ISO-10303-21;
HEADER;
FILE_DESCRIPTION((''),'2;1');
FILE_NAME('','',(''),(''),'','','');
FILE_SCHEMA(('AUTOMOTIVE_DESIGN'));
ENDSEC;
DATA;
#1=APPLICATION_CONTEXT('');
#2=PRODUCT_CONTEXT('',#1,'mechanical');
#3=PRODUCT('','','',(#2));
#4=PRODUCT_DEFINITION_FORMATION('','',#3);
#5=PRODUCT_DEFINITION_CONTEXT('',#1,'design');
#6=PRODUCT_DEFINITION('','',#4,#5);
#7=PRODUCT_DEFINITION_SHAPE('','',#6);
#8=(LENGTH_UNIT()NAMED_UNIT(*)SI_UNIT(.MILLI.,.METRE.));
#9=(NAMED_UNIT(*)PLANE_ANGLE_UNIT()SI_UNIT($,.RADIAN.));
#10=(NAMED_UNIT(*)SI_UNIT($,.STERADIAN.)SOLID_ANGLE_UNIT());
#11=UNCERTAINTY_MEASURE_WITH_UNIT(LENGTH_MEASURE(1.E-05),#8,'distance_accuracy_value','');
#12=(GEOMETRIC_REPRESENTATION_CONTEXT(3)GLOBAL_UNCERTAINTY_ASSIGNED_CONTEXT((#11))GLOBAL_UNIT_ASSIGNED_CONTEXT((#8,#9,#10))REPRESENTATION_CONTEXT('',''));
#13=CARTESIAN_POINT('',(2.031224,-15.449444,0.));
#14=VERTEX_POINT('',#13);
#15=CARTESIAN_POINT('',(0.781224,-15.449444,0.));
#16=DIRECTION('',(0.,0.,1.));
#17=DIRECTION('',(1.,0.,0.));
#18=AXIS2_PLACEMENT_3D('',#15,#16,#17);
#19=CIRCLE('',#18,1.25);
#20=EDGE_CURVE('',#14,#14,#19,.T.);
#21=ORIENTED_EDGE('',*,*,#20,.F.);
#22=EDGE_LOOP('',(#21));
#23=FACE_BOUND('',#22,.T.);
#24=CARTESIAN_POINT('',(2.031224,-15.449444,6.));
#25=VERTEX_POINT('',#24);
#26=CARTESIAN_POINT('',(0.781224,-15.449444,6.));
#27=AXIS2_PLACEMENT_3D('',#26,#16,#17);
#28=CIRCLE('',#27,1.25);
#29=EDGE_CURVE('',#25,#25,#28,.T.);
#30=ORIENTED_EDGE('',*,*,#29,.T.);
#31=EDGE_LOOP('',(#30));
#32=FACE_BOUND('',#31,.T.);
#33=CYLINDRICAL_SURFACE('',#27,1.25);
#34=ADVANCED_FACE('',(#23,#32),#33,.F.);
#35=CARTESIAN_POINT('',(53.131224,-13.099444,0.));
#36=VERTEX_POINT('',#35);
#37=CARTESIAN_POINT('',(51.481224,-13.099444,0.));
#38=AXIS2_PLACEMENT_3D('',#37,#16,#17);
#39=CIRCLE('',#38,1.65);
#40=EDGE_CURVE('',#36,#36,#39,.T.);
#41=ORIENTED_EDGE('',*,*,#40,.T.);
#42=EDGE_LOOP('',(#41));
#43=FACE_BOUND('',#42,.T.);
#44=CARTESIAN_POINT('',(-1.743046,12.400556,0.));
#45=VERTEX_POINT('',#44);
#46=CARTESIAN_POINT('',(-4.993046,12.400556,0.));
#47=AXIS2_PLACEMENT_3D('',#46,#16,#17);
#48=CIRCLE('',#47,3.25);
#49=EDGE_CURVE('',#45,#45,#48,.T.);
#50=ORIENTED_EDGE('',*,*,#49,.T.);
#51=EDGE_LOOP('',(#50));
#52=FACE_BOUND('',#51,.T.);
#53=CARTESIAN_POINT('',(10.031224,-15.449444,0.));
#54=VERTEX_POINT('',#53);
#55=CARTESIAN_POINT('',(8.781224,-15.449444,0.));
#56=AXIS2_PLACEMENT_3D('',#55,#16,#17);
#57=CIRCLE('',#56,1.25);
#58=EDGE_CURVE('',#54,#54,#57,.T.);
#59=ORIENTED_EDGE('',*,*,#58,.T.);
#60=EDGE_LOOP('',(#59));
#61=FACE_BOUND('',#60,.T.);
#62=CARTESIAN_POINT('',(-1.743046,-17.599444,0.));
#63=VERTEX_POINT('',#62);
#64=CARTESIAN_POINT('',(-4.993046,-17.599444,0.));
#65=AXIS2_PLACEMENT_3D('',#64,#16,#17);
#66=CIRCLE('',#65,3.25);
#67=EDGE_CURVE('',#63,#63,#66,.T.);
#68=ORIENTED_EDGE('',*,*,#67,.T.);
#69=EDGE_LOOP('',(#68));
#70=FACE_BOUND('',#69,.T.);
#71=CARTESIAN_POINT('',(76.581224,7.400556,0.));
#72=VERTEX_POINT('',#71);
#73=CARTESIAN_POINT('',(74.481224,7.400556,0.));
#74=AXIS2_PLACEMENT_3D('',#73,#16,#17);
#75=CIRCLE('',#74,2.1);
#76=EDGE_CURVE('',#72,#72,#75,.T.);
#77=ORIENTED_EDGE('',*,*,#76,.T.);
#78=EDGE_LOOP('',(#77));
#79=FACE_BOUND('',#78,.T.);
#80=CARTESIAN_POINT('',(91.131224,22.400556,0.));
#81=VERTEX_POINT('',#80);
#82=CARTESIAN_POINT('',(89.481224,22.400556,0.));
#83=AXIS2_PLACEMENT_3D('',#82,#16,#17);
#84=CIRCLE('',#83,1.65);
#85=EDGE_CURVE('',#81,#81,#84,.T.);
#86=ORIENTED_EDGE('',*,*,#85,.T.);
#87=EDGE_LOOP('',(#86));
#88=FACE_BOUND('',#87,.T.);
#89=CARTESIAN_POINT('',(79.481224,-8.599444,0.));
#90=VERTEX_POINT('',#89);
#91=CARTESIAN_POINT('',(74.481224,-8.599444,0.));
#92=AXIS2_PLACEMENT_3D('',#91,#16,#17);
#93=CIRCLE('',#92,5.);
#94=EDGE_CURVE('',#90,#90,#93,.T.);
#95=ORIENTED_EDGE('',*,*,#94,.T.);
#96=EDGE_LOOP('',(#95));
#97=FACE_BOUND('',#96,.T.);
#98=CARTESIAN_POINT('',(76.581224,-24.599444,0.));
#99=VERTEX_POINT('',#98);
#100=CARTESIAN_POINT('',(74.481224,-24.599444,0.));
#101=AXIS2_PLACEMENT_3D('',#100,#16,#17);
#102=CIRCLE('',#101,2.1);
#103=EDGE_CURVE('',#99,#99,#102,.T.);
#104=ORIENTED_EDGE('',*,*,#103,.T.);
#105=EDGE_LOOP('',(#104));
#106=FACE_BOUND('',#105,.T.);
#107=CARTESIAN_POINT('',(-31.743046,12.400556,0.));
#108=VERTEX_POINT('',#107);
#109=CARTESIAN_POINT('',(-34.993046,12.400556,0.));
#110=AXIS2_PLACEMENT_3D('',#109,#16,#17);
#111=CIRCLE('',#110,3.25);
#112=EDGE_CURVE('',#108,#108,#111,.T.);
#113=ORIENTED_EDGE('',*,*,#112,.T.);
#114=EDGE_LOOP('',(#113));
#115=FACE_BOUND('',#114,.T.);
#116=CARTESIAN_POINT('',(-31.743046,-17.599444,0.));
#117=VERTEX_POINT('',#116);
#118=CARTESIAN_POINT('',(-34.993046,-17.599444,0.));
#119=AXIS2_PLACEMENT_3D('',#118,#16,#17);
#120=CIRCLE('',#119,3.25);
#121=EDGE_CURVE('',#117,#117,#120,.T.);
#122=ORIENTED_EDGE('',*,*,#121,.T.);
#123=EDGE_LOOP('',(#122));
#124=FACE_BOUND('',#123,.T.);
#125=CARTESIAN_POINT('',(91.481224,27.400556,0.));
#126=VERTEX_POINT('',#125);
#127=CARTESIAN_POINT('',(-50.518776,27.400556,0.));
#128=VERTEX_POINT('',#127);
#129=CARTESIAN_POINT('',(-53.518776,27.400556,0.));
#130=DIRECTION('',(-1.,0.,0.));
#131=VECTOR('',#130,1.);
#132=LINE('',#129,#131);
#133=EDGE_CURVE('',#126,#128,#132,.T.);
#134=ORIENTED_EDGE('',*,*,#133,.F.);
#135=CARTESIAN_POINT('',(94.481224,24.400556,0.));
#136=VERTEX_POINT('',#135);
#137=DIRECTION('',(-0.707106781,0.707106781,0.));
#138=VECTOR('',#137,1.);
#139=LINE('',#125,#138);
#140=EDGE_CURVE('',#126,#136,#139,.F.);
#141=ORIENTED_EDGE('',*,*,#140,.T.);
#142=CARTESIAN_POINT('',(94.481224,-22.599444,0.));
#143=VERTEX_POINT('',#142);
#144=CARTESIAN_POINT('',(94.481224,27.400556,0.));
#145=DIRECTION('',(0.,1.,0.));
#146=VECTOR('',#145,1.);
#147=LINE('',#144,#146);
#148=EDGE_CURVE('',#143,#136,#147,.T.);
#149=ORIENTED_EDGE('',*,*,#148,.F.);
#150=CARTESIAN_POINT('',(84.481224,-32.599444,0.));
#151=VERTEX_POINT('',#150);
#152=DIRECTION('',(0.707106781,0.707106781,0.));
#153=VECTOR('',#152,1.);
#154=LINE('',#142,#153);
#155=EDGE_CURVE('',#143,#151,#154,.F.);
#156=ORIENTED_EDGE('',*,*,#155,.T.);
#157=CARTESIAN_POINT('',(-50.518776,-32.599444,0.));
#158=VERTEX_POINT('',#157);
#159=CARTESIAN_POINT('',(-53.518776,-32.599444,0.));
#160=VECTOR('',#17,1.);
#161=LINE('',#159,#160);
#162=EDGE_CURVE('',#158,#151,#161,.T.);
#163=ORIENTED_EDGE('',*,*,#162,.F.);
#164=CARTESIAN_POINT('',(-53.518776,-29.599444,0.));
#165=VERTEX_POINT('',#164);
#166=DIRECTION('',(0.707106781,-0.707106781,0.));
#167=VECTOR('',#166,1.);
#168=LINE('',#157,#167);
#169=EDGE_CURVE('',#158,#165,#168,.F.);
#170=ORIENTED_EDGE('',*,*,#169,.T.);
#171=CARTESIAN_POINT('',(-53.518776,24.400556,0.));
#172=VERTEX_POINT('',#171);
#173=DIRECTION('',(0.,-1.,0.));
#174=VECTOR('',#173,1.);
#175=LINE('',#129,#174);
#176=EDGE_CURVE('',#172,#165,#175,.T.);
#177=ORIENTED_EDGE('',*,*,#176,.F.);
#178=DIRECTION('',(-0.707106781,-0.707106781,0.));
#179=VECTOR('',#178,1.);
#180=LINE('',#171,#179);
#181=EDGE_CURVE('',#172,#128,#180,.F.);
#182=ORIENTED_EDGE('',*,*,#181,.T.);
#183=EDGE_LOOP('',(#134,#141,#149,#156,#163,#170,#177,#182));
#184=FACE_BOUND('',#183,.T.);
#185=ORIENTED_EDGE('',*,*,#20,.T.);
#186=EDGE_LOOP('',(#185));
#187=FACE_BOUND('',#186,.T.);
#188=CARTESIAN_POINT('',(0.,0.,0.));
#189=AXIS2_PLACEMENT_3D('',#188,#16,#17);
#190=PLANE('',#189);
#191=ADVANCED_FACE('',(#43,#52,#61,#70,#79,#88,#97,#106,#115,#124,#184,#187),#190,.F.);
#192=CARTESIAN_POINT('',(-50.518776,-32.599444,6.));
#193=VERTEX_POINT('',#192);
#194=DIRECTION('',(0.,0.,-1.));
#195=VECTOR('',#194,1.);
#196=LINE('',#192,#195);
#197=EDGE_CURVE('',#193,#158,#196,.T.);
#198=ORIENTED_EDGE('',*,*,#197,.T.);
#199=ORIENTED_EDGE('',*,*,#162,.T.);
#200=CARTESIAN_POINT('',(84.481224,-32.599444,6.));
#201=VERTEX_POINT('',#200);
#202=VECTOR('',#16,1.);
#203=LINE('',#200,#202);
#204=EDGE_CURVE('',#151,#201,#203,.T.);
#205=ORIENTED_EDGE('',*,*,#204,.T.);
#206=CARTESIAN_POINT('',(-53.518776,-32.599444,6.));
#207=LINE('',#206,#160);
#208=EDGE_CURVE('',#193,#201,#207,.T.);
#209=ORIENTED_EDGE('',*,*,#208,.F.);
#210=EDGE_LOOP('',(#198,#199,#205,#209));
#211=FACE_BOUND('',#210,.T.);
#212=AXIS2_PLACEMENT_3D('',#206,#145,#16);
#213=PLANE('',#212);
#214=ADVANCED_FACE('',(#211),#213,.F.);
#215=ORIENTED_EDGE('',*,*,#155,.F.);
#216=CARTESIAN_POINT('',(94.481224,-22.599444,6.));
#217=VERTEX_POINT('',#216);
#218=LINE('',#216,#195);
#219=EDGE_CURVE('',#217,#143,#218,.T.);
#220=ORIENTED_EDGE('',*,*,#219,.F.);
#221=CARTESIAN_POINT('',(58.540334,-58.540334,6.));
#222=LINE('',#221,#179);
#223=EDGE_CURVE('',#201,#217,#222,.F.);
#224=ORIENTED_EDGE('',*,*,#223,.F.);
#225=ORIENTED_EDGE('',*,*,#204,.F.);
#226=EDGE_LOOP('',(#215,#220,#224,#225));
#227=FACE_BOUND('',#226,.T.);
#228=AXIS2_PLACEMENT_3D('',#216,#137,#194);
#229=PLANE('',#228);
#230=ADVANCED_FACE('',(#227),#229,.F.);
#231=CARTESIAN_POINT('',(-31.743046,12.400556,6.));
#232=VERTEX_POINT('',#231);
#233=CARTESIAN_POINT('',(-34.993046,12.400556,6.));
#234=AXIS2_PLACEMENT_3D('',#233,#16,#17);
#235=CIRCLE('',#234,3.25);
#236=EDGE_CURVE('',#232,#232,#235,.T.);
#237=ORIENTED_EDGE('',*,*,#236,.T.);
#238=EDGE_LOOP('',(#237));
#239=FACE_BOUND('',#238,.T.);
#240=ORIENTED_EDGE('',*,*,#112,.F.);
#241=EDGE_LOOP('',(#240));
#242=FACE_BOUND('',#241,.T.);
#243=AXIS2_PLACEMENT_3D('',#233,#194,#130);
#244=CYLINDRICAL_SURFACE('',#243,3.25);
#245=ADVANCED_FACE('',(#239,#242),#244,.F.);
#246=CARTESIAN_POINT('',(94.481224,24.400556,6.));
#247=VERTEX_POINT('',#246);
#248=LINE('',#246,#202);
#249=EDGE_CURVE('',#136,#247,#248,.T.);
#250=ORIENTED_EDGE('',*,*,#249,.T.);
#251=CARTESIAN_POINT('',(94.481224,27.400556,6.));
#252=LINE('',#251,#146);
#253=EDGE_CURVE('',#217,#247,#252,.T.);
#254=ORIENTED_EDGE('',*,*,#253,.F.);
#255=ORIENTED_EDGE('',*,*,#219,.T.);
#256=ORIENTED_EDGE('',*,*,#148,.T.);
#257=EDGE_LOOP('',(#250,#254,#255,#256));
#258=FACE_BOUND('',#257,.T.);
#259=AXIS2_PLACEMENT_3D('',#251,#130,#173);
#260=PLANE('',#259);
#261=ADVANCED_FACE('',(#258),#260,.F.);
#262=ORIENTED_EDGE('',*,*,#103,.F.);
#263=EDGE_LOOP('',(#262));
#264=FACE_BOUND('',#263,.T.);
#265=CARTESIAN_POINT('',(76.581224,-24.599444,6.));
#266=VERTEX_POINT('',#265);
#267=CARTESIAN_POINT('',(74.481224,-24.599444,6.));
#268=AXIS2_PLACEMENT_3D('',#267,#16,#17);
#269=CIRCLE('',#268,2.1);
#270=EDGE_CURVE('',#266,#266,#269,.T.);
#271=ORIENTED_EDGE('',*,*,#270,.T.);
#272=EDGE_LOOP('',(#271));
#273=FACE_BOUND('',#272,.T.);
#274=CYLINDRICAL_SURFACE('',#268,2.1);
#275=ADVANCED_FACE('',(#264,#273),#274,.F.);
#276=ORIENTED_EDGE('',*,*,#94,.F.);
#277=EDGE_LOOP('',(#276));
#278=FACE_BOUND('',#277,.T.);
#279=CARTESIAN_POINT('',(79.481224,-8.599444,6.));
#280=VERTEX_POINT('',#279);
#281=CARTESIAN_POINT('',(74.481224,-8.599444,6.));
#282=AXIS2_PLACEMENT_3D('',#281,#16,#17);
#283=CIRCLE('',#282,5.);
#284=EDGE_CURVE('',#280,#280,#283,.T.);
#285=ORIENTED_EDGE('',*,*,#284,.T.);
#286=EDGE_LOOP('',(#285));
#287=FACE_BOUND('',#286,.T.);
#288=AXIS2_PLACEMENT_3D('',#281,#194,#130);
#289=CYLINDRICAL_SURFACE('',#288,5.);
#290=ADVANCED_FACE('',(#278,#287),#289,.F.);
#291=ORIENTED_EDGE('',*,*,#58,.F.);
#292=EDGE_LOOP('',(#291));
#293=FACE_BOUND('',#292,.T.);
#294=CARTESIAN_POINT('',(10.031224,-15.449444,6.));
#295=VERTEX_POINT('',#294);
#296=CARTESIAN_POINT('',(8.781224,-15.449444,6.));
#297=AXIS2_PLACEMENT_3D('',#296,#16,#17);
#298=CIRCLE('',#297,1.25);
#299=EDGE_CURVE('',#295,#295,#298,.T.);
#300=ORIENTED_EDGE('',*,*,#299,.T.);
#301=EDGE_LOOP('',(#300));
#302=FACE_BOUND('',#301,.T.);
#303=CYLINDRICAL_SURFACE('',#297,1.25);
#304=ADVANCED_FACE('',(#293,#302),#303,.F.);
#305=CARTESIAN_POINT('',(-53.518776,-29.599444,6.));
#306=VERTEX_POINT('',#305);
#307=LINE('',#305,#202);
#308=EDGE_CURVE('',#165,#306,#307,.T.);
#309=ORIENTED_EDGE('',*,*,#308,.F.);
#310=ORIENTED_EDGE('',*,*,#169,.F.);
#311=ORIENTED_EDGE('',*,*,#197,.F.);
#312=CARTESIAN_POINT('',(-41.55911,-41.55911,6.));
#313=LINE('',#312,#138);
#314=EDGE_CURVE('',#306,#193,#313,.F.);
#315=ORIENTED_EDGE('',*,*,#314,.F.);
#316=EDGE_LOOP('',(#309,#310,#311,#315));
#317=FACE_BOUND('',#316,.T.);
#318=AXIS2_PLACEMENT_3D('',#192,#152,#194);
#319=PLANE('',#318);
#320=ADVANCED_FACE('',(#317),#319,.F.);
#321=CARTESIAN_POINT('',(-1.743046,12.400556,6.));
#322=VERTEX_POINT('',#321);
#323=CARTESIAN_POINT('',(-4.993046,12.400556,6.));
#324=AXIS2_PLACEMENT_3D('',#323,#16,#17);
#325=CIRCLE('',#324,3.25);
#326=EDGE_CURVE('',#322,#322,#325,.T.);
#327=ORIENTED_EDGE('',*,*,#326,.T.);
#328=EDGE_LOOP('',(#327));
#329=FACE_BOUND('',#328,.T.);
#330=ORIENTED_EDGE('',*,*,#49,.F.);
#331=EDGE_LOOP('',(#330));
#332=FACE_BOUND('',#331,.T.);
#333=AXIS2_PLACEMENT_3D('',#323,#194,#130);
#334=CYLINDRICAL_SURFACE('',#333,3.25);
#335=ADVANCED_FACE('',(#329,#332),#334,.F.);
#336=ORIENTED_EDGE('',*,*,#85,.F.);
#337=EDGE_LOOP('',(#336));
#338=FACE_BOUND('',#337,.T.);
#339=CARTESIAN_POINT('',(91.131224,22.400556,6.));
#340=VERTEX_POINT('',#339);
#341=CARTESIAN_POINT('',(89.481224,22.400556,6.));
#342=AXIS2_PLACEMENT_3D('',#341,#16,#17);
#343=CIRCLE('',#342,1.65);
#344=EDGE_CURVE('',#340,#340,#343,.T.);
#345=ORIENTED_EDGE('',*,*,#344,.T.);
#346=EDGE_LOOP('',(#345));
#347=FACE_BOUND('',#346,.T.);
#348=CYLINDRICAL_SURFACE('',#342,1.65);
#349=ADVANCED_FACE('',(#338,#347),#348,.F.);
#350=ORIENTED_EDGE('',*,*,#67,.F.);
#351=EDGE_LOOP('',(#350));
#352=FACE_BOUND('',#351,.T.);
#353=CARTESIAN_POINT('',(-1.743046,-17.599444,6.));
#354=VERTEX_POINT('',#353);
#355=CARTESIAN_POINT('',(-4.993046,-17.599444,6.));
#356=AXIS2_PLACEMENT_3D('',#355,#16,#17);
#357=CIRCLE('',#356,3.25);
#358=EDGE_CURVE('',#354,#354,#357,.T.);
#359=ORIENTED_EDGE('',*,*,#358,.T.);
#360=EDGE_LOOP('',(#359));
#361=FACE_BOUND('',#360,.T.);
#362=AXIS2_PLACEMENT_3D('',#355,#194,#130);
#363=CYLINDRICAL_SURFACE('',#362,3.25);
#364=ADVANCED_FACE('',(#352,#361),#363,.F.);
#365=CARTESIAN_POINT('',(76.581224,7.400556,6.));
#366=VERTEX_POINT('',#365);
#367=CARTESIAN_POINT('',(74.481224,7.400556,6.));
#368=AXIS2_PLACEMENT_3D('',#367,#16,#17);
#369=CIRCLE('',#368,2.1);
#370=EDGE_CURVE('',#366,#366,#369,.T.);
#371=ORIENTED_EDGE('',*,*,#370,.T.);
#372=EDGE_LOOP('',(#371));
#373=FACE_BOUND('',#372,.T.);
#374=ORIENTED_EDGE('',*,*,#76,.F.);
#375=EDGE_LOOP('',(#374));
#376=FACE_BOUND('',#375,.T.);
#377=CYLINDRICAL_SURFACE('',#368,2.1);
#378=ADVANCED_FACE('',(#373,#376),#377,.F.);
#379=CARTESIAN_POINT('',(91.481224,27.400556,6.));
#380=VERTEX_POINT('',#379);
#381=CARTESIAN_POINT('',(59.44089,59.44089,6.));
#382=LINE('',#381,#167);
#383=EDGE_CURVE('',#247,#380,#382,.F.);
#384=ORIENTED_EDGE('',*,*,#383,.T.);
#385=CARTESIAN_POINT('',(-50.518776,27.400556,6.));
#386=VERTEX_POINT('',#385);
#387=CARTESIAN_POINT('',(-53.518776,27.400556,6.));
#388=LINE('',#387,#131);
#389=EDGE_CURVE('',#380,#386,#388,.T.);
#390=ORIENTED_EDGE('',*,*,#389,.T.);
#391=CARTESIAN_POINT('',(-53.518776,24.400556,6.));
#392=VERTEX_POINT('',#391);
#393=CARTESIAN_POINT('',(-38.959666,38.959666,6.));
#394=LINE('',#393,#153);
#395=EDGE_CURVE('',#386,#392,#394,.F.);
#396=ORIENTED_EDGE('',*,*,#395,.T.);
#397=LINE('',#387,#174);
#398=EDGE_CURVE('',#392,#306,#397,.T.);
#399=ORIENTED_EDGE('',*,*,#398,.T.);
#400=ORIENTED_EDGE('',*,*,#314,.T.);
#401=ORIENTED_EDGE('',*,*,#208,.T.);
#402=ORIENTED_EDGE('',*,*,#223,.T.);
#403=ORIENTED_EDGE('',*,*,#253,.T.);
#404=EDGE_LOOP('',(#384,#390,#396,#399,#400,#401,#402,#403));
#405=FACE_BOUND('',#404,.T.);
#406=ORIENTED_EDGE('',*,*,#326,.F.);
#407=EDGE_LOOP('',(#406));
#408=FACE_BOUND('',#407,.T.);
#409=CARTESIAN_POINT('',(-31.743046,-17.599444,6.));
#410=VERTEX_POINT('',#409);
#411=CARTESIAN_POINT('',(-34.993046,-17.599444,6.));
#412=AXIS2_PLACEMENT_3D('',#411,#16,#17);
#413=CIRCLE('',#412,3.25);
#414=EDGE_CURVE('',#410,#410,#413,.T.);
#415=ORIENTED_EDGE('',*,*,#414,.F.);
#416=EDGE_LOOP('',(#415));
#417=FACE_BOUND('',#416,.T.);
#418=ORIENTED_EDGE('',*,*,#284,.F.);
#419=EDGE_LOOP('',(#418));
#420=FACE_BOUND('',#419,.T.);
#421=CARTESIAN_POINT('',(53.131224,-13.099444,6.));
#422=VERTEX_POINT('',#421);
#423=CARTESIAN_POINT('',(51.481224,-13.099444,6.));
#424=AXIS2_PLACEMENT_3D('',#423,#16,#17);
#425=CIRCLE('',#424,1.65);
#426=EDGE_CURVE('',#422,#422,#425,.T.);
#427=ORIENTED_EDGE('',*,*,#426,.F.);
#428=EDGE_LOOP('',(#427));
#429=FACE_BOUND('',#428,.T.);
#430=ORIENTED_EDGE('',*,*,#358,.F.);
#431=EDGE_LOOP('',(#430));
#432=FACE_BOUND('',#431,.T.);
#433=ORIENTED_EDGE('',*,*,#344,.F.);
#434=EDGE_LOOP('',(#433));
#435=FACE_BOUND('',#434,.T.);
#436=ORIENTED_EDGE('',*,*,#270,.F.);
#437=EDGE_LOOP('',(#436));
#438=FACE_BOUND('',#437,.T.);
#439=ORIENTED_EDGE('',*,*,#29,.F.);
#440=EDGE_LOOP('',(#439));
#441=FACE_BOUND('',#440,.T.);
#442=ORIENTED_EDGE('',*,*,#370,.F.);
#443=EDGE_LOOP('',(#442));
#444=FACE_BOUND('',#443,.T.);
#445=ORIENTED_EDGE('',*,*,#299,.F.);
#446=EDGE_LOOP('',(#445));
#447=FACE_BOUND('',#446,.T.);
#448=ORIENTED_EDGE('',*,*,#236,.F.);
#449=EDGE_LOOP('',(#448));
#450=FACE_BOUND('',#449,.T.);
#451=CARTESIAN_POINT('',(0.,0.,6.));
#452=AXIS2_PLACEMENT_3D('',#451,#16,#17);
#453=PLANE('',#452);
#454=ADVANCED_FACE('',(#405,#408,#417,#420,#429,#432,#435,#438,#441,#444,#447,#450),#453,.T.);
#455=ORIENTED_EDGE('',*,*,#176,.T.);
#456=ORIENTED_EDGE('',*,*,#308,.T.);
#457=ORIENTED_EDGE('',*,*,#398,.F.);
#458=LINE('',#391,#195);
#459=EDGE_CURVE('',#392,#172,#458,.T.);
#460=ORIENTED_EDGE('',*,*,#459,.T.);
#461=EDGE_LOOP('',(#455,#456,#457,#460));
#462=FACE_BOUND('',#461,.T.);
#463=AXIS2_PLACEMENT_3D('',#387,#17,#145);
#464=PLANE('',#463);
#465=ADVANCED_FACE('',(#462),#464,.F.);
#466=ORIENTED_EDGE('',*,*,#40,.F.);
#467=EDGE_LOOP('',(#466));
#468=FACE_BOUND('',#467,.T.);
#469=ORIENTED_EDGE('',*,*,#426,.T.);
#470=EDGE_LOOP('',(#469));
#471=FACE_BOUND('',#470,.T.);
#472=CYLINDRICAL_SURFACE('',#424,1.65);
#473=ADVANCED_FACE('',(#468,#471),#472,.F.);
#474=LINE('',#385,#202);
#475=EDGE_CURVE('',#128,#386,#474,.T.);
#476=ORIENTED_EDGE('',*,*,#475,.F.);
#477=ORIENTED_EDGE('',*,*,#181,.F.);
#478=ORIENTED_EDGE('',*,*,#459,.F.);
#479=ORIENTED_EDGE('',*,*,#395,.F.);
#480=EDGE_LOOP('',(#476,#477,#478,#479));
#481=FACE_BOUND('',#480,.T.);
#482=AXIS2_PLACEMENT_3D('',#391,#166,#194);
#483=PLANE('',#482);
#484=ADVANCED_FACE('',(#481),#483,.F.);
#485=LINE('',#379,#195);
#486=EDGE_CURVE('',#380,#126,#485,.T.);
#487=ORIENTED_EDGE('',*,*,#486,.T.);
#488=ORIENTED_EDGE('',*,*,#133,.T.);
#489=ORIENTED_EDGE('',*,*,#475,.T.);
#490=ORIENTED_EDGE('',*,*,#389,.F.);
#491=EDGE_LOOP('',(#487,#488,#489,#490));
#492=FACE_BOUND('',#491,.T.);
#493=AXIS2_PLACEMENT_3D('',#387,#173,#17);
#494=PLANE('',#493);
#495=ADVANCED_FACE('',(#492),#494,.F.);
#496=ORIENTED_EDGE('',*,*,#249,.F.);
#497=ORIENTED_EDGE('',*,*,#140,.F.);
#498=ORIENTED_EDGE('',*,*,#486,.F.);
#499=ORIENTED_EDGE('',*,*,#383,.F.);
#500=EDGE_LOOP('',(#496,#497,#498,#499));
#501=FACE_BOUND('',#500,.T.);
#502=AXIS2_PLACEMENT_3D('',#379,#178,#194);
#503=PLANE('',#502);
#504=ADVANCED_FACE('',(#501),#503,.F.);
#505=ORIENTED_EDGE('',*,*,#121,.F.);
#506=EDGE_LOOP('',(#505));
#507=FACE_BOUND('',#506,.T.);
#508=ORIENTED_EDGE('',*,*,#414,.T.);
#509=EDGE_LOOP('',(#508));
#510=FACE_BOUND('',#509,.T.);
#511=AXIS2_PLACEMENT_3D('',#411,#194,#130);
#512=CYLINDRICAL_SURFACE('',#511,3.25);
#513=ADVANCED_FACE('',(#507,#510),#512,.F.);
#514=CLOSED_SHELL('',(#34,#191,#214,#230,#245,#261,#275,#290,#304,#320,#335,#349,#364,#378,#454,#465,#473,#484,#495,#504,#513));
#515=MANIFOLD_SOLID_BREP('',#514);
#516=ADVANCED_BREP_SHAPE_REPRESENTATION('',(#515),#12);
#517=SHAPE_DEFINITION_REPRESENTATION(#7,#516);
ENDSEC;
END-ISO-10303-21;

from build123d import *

# Parameters (mm, degrees)
SKETCH1_W             = 148
SKETCH1_H             = 60
SKETCH1_R             = 3.25
SKETCH1_R_2           = 5
BOSS_EXTRUDE1_DEPTH   = 6
M5X0_8_TAPPED_HOLE1_D = 4.2
M4X0_7_TAPPED_HOLE1_D = 3.3
M3X0_5_TAPPED_HOLE1_D = 2.5
CHAMFER1_SIZE         = 10
CHAMFER2_SIZE         = 3


with BuildPart() as part:
    # Sketch1 → Boss-Extrude1 (new body)
    with BuildSketch(Plane.XY):
        with Locations((20.481223922, -2.599443672)):
            Rectangle(SKETCH1_W, SKETCH1_H)
        with Locations((-34.993045897, 12.400556328)):
            Circle(SKETCH1_R, mode=Mode.SUBTRACT)
        with Locations((-4.993045897, 12.400556328)):
            Circle(SKETCH1_R, mode=Mode.SUBTRACT)
        with Locations((-34.993045897, -17.599443672)):
            Circle(SKETCH1_R, mode=Mode.SUBTRACT)
        with Locations((-4.993045897, -17.599443672)):
            Circle(SKETCH1_R, mode=Mode.SUBTRACT)
        with Locations((74.481223922, -8.599443672)):
            Circle(SKETCH1_R_2, mode=Mode.SUBTRACT)
    extrude(amount=BOSS_EXTRUDE1_DEPTH)

    # M5x0.8 Tapped Hole1 (through all)
    with Locations(Plane.XY.offset(6)):
        with Locations((74.481223922, 7.400556328), (74.481223922, -24.599443672)):
            Hole(M5X0_8_TAPPED_HOLE1_D / 2)

    # M4x0.7 Tapped Hole1 (through all)
    with Locations(Plane.XY.offset(6)):
        with Locations((89.481223922, 22.400556328), (51.481223922, -13.099443672)):
            Hole(M4X0_7_TAPPED_HOLE1_D / 2)

    # M3x0.5 Tapped Hole1 (through all)
    with Locations(Plane.XY.offset(6)):
        with Locations((0.781223922, -15.449443672), (8.781223922, -15.449443672)):
            Hole(M3X0_5_TAPPED_HOLE1_D / 2)

    # Chamfer1
    chamfer1_edges = [part.edges().sort_by_distance(p)[0] for p in [
        (94.481223922, -32.599443672, 3),
    ]]
    chamfer(chamfer1_edges, length=CHAMFER1_SIZE)

    # Chamfer2
    chamfer2_edges = [part.edges().sort_by_distance(p)[0] for p in [
        (-53.518776078, 27.400556328, 3),
        (94.481223922, 27.400556328, 3),
        (-53.518776078, -32.599443672, 3),
    ]]
    chamfer(chamfer2_edges, length=CHAMFER2_SIZE)


solid = part.part
